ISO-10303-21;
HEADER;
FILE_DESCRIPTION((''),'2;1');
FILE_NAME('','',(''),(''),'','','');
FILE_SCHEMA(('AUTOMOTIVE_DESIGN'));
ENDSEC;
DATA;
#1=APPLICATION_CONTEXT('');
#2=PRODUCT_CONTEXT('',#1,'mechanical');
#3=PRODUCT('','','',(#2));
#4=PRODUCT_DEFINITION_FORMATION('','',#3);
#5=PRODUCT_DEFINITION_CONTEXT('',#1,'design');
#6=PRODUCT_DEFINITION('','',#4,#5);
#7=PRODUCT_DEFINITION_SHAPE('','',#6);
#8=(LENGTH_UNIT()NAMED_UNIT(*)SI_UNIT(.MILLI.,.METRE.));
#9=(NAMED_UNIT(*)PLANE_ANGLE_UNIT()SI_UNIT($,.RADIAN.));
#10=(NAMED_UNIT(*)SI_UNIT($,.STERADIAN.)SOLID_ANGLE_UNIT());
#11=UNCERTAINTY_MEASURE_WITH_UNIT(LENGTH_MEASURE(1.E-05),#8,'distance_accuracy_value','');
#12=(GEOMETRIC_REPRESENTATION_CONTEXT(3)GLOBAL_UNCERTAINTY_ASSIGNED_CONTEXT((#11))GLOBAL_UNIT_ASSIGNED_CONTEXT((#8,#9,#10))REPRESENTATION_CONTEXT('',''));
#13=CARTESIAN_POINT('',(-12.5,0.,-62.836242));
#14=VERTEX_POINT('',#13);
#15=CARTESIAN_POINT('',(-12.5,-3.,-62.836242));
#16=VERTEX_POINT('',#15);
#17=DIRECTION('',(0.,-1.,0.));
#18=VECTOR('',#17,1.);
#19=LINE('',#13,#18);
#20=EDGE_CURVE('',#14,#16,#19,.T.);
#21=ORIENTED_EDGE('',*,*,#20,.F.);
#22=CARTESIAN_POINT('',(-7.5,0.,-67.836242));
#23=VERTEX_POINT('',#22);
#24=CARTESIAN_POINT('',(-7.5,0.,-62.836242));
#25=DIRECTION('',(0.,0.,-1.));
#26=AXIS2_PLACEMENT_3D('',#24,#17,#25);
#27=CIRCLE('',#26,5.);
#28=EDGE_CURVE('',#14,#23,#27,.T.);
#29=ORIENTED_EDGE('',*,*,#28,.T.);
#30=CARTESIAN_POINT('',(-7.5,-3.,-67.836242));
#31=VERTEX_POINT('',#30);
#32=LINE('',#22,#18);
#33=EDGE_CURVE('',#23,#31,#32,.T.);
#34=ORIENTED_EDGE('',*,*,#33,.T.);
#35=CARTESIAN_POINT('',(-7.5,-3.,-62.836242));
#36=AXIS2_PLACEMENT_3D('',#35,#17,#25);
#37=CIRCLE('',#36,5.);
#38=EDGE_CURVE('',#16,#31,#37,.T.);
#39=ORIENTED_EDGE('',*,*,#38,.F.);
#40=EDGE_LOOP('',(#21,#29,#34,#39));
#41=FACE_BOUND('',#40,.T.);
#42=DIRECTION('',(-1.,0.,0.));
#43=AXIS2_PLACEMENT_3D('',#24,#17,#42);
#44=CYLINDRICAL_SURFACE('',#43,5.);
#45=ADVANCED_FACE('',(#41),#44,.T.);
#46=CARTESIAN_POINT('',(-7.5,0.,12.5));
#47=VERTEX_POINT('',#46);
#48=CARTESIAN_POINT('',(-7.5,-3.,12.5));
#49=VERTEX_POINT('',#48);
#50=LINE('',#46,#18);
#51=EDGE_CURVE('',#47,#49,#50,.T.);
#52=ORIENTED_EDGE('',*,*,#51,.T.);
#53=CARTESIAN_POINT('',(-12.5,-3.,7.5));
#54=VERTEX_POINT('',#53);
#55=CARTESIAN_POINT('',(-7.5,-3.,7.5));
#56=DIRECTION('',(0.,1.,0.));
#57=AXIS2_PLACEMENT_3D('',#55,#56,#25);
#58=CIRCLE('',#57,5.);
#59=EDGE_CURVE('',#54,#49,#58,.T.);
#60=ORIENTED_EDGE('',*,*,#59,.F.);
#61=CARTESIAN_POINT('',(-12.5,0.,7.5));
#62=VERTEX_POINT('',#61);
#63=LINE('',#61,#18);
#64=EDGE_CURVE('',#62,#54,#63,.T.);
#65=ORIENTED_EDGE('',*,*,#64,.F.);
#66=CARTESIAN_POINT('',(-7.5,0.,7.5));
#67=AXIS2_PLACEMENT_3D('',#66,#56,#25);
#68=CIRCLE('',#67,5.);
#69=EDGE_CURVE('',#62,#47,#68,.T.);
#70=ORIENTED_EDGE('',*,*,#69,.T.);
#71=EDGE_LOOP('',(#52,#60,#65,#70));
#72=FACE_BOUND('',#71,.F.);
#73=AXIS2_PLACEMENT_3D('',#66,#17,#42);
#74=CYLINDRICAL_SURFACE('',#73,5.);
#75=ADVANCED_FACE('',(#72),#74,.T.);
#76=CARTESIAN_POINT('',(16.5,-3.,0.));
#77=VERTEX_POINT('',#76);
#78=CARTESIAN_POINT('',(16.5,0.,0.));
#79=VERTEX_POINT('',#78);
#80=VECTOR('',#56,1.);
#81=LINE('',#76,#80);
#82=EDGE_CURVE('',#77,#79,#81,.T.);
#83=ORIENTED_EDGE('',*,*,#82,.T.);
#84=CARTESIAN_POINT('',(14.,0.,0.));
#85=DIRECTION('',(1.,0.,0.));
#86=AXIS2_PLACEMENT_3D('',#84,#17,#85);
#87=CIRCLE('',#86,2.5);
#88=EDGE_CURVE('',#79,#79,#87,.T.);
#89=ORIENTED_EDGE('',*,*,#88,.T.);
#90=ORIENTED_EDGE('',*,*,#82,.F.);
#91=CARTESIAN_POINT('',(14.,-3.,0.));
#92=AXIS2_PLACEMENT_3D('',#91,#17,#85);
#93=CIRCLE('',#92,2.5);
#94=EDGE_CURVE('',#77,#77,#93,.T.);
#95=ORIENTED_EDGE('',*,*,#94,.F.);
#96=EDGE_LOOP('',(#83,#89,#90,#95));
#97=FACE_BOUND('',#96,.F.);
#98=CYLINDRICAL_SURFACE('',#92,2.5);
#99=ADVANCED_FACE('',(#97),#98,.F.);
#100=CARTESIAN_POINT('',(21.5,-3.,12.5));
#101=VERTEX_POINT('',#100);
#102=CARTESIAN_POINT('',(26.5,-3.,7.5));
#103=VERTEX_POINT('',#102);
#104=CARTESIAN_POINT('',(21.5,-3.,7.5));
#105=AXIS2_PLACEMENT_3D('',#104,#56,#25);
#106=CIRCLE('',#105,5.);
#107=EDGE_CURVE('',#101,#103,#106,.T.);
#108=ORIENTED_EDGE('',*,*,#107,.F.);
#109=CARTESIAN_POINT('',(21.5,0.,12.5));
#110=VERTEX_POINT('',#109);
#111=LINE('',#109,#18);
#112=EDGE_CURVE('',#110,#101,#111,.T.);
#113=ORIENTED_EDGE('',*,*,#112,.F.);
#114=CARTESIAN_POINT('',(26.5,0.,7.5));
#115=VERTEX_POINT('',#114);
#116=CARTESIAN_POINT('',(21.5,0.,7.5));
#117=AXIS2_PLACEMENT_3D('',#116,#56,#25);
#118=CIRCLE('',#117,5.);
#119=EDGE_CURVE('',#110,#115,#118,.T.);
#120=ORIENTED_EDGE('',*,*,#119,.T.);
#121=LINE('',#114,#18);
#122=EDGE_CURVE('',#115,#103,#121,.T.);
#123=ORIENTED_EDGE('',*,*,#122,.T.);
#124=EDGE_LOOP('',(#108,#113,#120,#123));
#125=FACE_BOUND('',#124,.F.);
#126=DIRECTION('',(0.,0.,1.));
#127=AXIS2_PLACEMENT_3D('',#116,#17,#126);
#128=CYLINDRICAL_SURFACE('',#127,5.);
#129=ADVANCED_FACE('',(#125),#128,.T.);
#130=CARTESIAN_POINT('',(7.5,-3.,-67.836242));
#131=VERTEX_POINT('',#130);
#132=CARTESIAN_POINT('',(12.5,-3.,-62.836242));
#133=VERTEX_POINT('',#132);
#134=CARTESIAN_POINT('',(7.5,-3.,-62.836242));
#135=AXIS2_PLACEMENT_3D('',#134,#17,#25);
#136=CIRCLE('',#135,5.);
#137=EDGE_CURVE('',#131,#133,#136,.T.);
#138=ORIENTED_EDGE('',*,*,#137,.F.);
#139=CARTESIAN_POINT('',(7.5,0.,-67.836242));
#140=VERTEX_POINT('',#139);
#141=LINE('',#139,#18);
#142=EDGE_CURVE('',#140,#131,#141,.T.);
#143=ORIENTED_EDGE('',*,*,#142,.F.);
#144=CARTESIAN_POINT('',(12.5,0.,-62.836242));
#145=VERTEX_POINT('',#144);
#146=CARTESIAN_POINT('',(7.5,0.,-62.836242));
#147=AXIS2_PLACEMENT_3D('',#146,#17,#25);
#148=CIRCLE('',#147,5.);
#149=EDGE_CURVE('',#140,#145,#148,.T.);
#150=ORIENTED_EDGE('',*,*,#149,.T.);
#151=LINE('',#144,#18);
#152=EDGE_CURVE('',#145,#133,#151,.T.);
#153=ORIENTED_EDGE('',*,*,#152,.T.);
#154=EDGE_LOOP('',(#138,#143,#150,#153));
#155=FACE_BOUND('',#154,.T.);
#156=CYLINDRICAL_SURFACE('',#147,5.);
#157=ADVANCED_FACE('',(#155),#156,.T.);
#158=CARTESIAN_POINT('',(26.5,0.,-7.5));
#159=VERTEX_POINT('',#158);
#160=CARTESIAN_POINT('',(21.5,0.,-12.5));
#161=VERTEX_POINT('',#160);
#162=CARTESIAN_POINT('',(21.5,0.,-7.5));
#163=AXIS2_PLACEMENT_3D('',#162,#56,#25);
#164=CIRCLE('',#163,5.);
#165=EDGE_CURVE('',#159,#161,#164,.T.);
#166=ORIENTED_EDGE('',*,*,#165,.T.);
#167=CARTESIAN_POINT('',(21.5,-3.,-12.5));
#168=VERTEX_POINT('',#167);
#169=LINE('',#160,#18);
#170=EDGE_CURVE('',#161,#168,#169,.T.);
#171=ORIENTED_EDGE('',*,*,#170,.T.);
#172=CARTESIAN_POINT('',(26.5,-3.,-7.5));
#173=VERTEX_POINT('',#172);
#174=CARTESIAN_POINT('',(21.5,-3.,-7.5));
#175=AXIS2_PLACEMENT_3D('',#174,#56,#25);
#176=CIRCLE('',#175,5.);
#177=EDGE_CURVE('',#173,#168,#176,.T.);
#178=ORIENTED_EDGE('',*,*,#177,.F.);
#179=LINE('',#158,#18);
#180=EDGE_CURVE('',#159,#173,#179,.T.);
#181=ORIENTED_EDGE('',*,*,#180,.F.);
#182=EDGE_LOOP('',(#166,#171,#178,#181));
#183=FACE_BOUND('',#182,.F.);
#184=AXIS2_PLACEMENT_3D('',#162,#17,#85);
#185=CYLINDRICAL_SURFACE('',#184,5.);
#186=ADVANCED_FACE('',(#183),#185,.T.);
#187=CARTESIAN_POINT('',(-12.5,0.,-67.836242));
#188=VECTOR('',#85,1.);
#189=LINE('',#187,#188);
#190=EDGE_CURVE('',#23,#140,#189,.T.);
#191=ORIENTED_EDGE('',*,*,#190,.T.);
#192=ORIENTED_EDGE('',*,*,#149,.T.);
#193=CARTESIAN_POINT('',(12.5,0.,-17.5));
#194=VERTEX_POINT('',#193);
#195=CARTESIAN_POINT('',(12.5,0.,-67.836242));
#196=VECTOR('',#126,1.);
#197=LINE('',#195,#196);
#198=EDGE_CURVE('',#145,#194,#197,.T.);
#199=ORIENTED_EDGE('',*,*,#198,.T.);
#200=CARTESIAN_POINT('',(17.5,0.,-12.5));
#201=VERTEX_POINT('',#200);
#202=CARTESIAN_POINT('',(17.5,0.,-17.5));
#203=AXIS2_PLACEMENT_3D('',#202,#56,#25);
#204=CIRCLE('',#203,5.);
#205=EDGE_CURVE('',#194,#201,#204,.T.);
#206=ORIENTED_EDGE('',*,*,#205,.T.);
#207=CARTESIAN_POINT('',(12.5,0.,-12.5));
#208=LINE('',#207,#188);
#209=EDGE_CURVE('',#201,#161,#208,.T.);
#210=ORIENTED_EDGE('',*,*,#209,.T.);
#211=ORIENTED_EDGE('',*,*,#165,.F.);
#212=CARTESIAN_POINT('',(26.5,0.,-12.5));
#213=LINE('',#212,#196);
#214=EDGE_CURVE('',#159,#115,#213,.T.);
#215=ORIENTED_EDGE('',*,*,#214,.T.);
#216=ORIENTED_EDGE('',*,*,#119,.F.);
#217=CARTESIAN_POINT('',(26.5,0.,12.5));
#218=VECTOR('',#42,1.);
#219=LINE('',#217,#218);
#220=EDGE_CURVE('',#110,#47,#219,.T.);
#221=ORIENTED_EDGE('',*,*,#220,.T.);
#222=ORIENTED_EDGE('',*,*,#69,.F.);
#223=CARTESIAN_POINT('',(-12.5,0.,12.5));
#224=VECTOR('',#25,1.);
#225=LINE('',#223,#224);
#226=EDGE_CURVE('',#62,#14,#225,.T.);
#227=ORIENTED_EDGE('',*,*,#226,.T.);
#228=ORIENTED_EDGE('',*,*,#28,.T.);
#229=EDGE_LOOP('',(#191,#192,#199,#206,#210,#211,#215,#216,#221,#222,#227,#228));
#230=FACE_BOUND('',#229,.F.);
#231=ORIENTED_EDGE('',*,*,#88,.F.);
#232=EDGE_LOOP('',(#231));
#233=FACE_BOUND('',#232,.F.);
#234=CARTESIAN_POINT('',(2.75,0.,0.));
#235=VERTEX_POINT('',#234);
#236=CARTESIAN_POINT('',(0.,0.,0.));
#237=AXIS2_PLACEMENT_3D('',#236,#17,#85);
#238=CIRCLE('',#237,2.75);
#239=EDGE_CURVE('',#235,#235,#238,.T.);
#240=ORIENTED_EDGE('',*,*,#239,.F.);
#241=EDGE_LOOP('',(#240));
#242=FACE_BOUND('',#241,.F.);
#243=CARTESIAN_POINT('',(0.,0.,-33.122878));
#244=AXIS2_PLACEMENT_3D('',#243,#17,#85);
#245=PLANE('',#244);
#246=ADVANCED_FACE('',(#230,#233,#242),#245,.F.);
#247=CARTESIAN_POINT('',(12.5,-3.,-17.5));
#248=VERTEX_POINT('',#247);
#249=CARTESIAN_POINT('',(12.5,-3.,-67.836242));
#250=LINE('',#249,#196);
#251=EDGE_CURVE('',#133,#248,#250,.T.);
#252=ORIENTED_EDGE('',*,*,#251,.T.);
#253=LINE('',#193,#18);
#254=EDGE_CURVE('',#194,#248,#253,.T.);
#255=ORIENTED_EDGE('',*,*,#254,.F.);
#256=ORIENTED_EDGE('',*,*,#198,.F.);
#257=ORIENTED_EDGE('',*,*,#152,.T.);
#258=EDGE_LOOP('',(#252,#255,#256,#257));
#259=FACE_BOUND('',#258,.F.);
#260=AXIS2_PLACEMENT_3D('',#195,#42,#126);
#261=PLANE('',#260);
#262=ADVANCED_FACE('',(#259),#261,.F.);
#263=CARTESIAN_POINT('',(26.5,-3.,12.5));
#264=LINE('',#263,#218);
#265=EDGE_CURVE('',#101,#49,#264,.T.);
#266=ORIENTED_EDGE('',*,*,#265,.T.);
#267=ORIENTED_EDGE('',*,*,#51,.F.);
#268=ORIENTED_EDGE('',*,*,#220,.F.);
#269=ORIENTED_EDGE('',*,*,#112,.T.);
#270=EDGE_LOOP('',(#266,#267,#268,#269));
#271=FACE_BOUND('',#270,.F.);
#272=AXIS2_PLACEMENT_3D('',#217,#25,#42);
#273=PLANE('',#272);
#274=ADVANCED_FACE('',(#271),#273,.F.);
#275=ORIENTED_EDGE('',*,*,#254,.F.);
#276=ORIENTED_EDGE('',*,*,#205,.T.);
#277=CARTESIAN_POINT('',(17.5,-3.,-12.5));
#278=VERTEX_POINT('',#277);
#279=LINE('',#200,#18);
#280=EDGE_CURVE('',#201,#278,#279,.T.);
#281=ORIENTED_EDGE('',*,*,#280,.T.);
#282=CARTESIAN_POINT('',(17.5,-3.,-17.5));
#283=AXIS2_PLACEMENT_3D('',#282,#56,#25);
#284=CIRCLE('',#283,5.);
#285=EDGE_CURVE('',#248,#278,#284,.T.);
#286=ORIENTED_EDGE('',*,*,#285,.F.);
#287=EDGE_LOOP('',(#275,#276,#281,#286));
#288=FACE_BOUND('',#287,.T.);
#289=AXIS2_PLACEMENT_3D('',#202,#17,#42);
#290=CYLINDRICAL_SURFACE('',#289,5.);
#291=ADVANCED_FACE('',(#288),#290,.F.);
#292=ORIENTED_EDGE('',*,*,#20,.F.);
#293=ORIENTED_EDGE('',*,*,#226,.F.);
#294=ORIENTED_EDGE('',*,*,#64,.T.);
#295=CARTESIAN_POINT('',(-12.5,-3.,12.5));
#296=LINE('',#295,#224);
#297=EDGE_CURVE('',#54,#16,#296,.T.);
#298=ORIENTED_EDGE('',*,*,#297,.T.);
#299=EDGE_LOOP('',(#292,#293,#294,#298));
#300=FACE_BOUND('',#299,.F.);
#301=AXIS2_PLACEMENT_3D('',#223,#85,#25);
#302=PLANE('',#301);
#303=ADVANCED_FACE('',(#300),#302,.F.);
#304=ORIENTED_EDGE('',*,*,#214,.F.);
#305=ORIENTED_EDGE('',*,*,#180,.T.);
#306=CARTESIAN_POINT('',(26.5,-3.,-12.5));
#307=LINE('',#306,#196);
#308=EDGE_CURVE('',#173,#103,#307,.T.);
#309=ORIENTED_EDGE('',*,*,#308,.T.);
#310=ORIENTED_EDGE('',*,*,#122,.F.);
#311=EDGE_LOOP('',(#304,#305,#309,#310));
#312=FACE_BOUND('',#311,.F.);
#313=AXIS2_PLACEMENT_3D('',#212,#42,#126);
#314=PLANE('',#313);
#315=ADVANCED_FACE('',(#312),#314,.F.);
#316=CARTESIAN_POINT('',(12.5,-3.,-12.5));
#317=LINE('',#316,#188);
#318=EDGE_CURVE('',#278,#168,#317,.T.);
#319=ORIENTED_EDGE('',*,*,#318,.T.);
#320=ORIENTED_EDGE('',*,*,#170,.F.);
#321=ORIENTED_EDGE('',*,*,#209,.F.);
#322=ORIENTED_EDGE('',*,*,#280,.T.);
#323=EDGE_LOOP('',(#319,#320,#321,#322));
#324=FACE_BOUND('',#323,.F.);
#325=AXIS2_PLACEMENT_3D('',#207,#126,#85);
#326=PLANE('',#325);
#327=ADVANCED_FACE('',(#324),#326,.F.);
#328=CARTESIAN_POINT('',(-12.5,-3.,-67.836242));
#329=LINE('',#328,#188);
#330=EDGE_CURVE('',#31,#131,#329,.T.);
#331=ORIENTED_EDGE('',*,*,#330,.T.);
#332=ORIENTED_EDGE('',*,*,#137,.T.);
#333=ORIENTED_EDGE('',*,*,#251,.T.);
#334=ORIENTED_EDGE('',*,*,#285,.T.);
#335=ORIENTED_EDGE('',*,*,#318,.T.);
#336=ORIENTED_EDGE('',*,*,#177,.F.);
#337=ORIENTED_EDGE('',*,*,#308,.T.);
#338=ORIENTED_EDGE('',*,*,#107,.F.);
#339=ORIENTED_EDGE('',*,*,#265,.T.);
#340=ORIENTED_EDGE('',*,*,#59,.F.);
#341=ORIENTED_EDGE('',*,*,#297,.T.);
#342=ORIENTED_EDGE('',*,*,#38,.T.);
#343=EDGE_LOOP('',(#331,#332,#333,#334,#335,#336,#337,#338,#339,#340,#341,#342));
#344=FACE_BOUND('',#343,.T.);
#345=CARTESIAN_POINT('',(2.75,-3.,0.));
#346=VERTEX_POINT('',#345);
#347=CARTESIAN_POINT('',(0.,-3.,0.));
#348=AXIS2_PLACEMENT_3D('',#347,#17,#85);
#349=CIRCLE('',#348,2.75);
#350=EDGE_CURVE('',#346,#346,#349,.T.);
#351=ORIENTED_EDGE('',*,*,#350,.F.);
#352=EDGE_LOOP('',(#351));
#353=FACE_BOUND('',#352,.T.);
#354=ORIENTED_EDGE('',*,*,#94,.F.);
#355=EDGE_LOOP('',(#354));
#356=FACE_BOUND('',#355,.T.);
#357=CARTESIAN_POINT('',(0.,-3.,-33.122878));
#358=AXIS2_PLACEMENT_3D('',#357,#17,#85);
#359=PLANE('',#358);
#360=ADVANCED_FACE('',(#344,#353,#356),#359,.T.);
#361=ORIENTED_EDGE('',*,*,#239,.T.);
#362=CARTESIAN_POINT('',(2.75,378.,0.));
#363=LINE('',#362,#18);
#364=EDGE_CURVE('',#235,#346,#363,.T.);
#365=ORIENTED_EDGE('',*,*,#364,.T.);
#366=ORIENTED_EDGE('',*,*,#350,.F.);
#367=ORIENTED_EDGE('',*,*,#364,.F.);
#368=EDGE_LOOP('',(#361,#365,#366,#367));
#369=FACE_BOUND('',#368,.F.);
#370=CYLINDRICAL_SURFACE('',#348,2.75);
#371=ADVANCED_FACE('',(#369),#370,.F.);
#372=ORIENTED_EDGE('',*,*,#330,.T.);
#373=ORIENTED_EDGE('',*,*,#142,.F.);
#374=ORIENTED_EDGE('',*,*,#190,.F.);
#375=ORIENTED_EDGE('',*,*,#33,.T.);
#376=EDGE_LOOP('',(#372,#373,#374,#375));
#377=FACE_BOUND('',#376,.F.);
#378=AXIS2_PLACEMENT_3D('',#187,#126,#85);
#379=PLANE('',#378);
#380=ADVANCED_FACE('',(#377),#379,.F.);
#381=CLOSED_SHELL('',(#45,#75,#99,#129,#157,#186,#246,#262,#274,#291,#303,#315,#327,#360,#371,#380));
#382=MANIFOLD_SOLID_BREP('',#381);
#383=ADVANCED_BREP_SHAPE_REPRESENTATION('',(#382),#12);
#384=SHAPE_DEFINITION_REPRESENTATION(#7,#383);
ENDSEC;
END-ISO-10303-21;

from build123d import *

# Parameters (mm, degrees)
F0_R     = 1.5
F1_DEPTH = 3
F3_R     = 2.75
F4_DEPTH = 381
F6_R     = 5
F7_R     = 2.5
F8_DEPTH = 25


with BuildPart() as f1:
    # F0 (on Front) → F1 (new body)
    with BuildSketch(Plane.XZ):
        with BuildLine():
            Line((12.5, -12.5), (12.5, 0))
            ThreePointArc((12.5, 0), (12.4899799325, -0.5004011242), (12.4599357944, -1))
            ThreePointArc((12.4599357944, -1), (0, -12.5), (-12.4599357944, -1))
            ThreePointArc((-12.4599357944, -1), (-12.4899799325, -0.5004011242), (-12.5, 0))
            Line((-12.5, 0), (-12.5, -67.8362422814))
            Line((-12.5, -67.8362422814), (12.5, -67.8362422814))
            Line((12.5, -67.8362422814), (12.5, -59.3175111059))
            Line((12.5, -59.3175111059), (12.5, -12.5))
        make_face()
        Polygon((12.5, 12.5), (12.5, 0), (12.5, -12.5), (26.5, -12.5), (26.5, 12.5), align=None)
        with BuildLine():
            ThreePointArc((12.4599357944, 1), (12.4899799325, 0.5004011242), (12.5, 0))
            Line((12.5, 0), (12.5, 12.5))
            Line((12.5, 12.5), (0, 12.5))
            ThreePointArc((0, 12.5), (8.4779124789, 9.1855865354), (12.4599357944, 1))
        make_face()
        with BuildLine():
            Line((12.4599357944, -1), (12.4599357944, 1))
            ThreePointArc((12.4599357944, 1), (8.4779124789, 9.1855865354), (0, 12.5))
            ThreePointArc((0, 12.5), (-8.4779124789, 9.1855865354), (-12.4599357944, 1))
            Line((-12.4599357944, 1), (-12.4599357944, -1))
            ThreePointArc((-12.4599357944, -1), (0, -12.5), (12.4599357944, -1))
        make_face()
        Circle(F0_R, mode=Mode.SUBTRACT)
        with BuildLine():
            ThreePointArc((-12.4599357944, 1), (-8.4779124789, 9.1855865354), (0, 12.5))
            Line((0, 12.5), (-12.5, 12.5))
            Line((-12.5, 12.5), (-12.5, 0))
            ThreePointArc((-12.5, 0), (-12.4899799325, 0.5004011242), (-12.4599357944, 1))
        make_face()
        with BuildLine():
            ThreePointArc((-12.5, 0), (-12.4899799325, -0.5004011242), (-12.4599357944, -1))
            Line((-12.4599357944, -1), (-12.4599357944, 1))
            ThreePointArc((-12.4599357944, 1), (-12.4899799325, 0.5004011242), (-12.5, 0))
        make_face()
        Circle(F0_R)
    extrude(amount=F1_DEPTH)

    # F3 (on face) → F4 (cut, symmetric)
    with BuildSketch(Plane.XZ.offset(3)):
        Circle(F3_R)
    extrude(amount=F4_DEPTH, both=True, mode=Mode.SUBTRACT)

    # F6
    f6_edges = [f1.edges().sort_by_distance(p)[0] for p in [
        (12.5, -1.5, -67.836242),
        (-12.5, -1.5, -67.836242),
        (-12.5, -1.5, 12.5),
        (12.5, -1.5, -12.5),
        (26.5, -1.5, -12.5),
        (26.5, -1.5, 12.5),
    ]]
    fillet(f6_edges, radius=F6_R)

    # F7 (on face) → F8 (cut)
    with BuildSketch(Plane.XZ.offset(3)):
        with Locations((14, 0)):
            Circle(F7_R)
        with BuildLine():
            Line((12.4599357944, -1), (12.4599357944, 1))
            ThreePointArc((12.4599357944, 1), (12.5, 0), (12.4599357944, -1))
        make_face(mode=Mode.SUBTRACT)
    extrude(amount=-F8_DEPTH, mode=Mode.SUBTRACT)


solid = f1.part
